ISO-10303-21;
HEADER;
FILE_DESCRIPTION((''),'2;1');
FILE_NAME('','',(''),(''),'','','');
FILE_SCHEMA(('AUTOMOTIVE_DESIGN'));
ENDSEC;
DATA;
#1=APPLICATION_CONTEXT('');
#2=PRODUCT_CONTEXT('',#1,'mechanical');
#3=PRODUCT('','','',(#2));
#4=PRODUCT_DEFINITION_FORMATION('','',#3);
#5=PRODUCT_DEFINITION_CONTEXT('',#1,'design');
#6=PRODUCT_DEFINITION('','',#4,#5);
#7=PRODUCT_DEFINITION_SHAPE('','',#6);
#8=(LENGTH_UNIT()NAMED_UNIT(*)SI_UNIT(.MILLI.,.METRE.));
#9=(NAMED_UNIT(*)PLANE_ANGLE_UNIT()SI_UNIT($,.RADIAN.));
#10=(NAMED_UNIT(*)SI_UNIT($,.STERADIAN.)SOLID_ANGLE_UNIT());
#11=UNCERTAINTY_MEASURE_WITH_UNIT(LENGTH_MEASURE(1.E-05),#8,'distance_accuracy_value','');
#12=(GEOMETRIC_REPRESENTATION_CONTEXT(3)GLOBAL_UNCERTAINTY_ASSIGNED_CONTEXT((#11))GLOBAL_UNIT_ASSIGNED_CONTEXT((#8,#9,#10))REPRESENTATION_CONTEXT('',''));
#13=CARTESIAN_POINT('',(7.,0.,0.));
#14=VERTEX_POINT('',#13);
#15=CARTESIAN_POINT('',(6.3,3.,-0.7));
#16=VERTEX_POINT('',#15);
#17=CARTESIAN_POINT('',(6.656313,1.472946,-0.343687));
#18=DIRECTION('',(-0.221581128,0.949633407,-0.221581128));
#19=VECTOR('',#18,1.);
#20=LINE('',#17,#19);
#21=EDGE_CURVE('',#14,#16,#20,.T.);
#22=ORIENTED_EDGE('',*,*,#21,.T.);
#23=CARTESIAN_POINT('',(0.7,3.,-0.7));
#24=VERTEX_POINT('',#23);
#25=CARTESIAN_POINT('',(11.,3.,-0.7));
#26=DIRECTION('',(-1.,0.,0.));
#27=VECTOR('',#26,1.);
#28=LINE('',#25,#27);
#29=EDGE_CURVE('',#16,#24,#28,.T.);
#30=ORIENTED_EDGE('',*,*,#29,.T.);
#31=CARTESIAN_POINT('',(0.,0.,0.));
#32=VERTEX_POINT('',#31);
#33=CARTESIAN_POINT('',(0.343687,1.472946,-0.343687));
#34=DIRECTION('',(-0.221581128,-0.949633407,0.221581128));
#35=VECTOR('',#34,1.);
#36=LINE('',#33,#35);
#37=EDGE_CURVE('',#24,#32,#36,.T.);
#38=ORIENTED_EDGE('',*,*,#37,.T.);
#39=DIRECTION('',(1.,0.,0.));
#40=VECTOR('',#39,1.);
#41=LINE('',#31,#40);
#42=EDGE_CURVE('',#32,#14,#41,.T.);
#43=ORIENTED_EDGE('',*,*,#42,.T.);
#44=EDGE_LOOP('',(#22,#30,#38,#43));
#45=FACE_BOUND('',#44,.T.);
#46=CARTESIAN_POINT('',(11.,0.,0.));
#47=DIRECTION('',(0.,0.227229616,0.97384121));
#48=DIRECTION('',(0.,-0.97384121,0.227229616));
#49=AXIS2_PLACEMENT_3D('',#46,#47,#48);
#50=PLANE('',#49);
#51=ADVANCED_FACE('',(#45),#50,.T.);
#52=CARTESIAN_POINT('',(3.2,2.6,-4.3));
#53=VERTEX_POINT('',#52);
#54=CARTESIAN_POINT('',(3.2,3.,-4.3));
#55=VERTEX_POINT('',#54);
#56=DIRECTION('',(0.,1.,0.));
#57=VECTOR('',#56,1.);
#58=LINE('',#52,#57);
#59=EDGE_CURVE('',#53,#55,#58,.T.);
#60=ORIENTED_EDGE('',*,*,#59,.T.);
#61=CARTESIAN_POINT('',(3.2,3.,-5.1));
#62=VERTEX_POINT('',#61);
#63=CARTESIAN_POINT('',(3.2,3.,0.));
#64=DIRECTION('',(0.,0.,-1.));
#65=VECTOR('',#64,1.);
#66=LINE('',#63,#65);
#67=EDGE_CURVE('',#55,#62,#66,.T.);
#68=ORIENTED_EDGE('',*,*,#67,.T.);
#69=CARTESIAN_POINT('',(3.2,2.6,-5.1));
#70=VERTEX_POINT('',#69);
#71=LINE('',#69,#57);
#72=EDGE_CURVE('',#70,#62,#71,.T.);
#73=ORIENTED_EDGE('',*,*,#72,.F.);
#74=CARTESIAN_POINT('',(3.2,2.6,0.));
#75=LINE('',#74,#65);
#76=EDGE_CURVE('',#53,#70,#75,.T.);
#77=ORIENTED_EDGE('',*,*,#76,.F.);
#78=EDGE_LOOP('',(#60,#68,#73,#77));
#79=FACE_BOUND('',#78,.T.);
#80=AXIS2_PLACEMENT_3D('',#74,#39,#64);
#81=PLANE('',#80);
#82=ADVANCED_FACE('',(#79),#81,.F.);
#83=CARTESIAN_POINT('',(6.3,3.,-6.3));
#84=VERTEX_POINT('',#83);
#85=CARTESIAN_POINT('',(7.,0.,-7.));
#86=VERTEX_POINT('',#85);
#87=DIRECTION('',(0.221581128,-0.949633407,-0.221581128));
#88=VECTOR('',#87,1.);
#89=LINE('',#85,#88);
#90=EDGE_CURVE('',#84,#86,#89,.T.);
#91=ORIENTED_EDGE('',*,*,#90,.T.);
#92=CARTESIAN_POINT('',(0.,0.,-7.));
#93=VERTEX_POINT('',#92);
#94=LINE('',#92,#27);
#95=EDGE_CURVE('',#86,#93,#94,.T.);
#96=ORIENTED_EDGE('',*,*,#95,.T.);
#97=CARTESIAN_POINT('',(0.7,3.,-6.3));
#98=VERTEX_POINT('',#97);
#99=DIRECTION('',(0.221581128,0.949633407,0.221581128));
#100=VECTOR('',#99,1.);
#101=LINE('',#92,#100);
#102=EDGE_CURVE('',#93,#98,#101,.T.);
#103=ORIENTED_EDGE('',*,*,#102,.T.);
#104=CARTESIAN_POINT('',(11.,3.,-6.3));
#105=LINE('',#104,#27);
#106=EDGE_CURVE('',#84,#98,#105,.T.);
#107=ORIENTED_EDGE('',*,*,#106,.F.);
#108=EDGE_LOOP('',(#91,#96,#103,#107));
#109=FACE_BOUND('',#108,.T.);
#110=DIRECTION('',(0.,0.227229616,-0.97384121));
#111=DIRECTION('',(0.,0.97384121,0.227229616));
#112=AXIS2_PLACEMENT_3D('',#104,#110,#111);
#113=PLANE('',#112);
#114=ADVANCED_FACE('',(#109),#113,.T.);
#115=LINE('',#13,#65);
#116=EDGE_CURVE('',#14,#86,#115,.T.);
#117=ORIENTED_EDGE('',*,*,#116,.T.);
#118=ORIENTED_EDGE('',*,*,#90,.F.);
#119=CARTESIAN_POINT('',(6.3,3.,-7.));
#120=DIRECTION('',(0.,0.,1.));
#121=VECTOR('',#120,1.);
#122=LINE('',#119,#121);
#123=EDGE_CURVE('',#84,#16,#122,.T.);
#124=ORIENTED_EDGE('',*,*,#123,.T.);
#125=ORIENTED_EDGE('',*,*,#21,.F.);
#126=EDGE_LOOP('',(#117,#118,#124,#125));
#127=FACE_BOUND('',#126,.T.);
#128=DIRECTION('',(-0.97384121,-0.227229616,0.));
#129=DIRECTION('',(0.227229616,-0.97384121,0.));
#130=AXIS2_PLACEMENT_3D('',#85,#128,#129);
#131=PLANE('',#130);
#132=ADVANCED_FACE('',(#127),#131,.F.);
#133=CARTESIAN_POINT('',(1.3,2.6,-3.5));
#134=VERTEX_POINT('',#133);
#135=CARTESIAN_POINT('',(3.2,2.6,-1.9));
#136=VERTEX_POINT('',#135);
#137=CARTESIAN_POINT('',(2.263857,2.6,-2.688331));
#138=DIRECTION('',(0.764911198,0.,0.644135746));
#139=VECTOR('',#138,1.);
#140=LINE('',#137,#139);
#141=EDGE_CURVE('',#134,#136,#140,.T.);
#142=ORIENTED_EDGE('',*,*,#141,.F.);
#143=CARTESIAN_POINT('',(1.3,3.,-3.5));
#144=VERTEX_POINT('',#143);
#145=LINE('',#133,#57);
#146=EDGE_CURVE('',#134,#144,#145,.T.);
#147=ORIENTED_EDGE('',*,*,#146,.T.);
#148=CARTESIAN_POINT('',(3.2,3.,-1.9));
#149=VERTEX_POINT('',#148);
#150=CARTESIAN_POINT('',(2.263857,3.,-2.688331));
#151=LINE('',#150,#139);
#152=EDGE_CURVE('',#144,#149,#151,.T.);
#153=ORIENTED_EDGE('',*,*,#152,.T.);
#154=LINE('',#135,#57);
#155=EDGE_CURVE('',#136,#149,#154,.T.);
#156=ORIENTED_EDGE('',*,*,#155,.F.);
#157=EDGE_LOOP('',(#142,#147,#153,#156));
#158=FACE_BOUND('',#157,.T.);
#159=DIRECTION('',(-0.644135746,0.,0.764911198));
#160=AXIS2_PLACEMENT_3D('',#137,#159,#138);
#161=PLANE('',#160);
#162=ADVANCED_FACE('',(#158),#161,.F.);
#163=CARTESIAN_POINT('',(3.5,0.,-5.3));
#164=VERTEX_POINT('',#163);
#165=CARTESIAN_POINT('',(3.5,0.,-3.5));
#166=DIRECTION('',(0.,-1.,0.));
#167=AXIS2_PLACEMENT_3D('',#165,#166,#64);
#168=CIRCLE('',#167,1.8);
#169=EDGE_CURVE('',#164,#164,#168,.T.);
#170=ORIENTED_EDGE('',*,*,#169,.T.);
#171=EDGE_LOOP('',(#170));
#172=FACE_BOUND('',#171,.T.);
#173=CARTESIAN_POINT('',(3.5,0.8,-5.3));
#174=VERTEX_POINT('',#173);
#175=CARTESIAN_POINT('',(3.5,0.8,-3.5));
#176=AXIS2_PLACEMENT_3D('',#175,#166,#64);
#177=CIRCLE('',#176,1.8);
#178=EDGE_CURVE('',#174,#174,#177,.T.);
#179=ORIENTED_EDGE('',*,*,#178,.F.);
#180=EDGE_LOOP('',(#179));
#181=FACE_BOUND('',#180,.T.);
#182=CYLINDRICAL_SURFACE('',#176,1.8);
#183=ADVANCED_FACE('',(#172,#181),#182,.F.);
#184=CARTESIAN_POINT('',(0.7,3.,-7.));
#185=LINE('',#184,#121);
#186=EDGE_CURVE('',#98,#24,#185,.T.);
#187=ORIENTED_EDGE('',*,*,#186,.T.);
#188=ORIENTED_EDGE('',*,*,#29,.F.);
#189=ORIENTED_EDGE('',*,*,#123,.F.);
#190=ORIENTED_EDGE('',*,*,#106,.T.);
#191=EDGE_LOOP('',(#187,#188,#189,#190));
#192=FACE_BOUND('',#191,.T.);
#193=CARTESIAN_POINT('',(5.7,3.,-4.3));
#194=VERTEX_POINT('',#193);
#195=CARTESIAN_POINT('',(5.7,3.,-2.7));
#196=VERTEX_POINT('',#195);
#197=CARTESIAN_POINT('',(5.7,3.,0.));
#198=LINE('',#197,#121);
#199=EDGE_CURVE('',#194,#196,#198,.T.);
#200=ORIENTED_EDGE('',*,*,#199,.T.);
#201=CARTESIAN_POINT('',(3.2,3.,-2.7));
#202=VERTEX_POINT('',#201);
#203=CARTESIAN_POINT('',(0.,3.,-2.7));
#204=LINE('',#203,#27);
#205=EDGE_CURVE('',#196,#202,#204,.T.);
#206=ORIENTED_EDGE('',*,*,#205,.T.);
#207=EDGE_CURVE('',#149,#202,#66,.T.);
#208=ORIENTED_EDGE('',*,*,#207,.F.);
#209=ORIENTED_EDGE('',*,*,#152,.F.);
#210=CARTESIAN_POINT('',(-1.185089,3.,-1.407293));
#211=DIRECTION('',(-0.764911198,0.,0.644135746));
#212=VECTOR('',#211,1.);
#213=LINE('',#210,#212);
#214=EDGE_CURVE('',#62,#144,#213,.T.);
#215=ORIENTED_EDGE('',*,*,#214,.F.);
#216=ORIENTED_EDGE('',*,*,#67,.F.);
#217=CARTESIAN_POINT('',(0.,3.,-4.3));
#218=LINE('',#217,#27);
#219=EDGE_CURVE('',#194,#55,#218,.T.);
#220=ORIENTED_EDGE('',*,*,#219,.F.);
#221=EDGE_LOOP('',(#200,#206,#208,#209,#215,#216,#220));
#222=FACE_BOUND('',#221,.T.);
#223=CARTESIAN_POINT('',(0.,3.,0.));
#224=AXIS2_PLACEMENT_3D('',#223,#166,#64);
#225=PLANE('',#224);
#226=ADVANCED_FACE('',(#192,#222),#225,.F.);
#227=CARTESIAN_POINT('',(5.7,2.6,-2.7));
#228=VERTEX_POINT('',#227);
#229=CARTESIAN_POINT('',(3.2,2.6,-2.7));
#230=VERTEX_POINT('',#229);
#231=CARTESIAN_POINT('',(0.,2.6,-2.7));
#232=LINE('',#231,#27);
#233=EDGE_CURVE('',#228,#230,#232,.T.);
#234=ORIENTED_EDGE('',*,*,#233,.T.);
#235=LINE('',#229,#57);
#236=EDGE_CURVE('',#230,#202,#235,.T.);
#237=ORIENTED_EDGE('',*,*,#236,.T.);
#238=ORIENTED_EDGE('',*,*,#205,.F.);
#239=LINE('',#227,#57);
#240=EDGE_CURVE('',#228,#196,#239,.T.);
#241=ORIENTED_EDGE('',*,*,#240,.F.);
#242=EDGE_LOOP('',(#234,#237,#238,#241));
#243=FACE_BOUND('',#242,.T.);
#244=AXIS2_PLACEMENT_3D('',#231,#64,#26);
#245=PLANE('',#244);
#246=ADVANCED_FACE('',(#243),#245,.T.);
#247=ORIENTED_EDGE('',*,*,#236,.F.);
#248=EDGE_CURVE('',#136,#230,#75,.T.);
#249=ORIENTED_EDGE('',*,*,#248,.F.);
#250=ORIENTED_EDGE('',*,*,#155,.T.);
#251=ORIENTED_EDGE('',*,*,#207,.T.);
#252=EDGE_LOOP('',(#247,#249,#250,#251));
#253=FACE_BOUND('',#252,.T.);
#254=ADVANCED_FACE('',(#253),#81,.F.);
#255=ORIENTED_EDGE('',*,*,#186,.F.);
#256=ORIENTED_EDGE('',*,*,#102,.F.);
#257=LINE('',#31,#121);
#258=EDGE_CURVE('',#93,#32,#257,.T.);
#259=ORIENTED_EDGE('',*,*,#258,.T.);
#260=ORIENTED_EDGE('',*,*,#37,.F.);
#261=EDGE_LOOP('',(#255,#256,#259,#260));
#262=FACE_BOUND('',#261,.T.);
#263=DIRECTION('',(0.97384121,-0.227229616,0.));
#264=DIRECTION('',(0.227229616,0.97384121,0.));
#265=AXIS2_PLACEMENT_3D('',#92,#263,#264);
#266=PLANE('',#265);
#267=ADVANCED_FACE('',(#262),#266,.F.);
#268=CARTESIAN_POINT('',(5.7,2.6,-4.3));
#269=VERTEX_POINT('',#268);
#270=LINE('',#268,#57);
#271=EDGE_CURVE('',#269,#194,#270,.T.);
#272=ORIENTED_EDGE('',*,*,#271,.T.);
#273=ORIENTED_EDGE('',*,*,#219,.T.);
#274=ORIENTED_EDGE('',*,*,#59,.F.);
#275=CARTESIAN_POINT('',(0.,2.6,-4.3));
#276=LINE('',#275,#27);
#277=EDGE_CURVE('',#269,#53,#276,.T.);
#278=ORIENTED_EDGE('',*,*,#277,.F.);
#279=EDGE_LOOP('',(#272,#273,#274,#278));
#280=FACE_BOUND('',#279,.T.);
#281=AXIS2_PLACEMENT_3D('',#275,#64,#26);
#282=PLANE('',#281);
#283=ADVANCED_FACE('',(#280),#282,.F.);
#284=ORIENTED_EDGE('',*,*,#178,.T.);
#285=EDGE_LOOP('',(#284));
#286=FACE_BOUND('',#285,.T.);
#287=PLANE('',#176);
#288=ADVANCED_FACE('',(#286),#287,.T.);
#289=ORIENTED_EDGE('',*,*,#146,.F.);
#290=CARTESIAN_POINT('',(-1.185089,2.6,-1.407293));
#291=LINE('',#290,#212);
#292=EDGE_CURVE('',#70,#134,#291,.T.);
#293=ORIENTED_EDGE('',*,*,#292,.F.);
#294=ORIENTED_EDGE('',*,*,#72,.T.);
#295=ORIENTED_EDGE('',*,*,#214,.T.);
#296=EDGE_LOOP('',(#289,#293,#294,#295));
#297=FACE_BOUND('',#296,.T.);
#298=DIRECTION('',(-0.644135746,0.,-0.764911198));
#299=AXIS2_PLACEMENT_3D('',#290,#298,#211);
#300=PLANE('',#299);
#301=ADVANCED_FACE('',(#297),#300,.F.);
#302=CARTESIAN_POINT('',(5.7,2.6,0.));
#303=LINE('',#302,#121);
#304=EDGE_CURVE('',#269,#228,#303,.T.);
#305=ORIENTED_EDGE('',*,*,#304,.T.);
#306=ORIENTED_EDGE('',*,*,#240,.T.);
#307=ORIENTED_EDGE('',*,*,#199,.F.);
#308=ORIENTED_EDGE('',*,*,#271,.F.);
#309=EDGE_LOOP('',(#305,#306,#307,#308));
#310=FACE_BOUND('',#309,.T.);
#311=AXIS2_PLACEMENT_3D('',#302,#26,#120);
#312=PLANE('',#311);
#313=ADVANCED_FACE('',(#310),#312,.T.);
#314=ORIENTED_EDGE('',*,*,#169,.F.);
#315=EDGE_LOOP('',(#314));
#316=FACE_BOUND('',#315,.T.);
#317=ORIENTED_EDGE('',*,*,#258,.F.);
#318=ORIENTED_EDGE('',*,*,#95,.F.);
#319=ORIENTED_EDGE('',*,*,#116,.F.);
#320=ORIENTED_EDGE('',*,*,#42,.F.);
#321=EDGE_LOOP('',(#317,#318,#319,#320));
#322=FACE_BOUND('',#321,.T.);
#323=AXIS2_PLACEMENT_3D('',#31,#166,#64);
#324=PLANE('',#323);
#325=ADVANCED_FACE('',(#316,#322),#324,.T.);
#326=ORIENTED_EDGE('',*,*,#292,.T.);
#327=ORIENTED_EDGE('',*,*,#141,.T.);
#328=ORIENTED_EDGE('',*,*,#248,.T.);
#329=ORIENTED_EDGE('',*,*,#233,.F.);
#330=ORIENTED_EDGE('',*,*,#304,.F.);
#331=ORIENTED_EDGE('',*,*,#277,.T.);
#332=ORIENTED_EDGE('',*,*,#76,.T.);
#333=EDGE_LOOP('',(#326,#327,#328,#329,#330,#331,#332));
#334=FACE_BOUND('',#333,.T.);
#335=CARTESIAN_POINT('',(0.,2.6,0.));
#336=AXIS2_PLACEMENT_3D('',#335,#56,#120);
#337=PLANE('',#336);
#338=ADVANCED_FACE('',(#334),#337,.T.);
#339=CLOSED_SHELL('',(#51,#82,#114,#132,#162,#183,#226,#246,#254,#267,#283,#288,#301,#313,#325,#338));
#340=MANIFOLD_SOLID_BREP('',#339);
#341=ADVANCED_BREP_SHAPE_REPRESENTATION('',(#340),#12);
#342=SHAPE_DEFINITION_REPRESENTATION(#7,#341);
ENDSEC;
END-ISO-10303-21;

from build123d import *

# Parameters (mm, degrees)
SKETCH1_W           = 7
SKETCH1_H           = 7
BOSS_EXTRUDE1_DEPTH = 3
CUT_EXTRUDE1_DEPTH  = 7
CUT_EXTRUDE2_DEPTH  = 11
SKETCH4_R           = 1.8
CUT_EXTRUDE3_DEPTH  = 0.8
SKETCH5_W           = 2.5
SKETCH5_H           = 1.6
CUT_EXTRUDE4_DEPTH  = 0.4


with BuildPart() as part:
    # Sketch1 → Boss-Extrude1 (new body)
    with BuildSketch(Plane(origin=(0, 0, 0), x_dir=(1, 0, 0), z_dir=(0, 1, 0))):
        with Locations((3.5, 3.5)):
            Rectangle(SKETCH1_W, SKETCH1_H)
    extrude(amount=BOSS_EXTRUDE1_DEPTH)

    # Sketch2 → Cut-Extrude1 (cut)
    with BuildSketch(Plane.XY):
        Polygon((0, 0), (0.7, 3), (0, 3), align=None)
        Polygon((7, 0), (6.3, 3), (7, 3), align=None)
    extrude(amount=-CUT_EXTRUDE1_DEPTH, mode=Mode.SUBTRACT)

    # Sketch3 → Cut-Extrude2 (cut)
    with BuildSketch(Plane(origin=(0, 0, 0), x_dir=(0, 0, -1), z_dir=(1, 0, 0))):
        Polygon((0, 0), (0.7, 3), (0, 3), align=None)
        Polygon((7, 3), (6.3, 3), (7, 0), align=None)
    extrude(amount=CUT_EXTRUDE2_DEPTH, mode=Mode.SUBTRACT)

    # Sketch4 → Cut-Extrude3 (cut)
    with BuildSketch(Plane.XZ):
        with Locations(Location((3.5, -3.5, 0), (0, 0, 270))):
            Circle(SKETCH4_R)
    extrude(amount=-CUT_EXTRUDE3_DEPTH, mode=Mode.SUBTRACT)

    # Sketch5 → Cut-Extrude4 (cut)
    with BuildSketch(Plane(origin=(0, 3, 0), x_dir=(1, 0, 0), z_dir=(0, 1, 0))):
        with Locations((4.45, 3.5)):
            Rectangle(SKETCH5_W, SKETCH5_H)
        Polygon((1.3, 3.5), (3.2, 1.9), (3.2, 2.7), (3.2, 4.3), (3.2, 5.1), align=None)
    extrude(amount=-CUT_EXTRUDE4_DEPTH, mode=Mode.SUBTRACT)


solid = part.part
